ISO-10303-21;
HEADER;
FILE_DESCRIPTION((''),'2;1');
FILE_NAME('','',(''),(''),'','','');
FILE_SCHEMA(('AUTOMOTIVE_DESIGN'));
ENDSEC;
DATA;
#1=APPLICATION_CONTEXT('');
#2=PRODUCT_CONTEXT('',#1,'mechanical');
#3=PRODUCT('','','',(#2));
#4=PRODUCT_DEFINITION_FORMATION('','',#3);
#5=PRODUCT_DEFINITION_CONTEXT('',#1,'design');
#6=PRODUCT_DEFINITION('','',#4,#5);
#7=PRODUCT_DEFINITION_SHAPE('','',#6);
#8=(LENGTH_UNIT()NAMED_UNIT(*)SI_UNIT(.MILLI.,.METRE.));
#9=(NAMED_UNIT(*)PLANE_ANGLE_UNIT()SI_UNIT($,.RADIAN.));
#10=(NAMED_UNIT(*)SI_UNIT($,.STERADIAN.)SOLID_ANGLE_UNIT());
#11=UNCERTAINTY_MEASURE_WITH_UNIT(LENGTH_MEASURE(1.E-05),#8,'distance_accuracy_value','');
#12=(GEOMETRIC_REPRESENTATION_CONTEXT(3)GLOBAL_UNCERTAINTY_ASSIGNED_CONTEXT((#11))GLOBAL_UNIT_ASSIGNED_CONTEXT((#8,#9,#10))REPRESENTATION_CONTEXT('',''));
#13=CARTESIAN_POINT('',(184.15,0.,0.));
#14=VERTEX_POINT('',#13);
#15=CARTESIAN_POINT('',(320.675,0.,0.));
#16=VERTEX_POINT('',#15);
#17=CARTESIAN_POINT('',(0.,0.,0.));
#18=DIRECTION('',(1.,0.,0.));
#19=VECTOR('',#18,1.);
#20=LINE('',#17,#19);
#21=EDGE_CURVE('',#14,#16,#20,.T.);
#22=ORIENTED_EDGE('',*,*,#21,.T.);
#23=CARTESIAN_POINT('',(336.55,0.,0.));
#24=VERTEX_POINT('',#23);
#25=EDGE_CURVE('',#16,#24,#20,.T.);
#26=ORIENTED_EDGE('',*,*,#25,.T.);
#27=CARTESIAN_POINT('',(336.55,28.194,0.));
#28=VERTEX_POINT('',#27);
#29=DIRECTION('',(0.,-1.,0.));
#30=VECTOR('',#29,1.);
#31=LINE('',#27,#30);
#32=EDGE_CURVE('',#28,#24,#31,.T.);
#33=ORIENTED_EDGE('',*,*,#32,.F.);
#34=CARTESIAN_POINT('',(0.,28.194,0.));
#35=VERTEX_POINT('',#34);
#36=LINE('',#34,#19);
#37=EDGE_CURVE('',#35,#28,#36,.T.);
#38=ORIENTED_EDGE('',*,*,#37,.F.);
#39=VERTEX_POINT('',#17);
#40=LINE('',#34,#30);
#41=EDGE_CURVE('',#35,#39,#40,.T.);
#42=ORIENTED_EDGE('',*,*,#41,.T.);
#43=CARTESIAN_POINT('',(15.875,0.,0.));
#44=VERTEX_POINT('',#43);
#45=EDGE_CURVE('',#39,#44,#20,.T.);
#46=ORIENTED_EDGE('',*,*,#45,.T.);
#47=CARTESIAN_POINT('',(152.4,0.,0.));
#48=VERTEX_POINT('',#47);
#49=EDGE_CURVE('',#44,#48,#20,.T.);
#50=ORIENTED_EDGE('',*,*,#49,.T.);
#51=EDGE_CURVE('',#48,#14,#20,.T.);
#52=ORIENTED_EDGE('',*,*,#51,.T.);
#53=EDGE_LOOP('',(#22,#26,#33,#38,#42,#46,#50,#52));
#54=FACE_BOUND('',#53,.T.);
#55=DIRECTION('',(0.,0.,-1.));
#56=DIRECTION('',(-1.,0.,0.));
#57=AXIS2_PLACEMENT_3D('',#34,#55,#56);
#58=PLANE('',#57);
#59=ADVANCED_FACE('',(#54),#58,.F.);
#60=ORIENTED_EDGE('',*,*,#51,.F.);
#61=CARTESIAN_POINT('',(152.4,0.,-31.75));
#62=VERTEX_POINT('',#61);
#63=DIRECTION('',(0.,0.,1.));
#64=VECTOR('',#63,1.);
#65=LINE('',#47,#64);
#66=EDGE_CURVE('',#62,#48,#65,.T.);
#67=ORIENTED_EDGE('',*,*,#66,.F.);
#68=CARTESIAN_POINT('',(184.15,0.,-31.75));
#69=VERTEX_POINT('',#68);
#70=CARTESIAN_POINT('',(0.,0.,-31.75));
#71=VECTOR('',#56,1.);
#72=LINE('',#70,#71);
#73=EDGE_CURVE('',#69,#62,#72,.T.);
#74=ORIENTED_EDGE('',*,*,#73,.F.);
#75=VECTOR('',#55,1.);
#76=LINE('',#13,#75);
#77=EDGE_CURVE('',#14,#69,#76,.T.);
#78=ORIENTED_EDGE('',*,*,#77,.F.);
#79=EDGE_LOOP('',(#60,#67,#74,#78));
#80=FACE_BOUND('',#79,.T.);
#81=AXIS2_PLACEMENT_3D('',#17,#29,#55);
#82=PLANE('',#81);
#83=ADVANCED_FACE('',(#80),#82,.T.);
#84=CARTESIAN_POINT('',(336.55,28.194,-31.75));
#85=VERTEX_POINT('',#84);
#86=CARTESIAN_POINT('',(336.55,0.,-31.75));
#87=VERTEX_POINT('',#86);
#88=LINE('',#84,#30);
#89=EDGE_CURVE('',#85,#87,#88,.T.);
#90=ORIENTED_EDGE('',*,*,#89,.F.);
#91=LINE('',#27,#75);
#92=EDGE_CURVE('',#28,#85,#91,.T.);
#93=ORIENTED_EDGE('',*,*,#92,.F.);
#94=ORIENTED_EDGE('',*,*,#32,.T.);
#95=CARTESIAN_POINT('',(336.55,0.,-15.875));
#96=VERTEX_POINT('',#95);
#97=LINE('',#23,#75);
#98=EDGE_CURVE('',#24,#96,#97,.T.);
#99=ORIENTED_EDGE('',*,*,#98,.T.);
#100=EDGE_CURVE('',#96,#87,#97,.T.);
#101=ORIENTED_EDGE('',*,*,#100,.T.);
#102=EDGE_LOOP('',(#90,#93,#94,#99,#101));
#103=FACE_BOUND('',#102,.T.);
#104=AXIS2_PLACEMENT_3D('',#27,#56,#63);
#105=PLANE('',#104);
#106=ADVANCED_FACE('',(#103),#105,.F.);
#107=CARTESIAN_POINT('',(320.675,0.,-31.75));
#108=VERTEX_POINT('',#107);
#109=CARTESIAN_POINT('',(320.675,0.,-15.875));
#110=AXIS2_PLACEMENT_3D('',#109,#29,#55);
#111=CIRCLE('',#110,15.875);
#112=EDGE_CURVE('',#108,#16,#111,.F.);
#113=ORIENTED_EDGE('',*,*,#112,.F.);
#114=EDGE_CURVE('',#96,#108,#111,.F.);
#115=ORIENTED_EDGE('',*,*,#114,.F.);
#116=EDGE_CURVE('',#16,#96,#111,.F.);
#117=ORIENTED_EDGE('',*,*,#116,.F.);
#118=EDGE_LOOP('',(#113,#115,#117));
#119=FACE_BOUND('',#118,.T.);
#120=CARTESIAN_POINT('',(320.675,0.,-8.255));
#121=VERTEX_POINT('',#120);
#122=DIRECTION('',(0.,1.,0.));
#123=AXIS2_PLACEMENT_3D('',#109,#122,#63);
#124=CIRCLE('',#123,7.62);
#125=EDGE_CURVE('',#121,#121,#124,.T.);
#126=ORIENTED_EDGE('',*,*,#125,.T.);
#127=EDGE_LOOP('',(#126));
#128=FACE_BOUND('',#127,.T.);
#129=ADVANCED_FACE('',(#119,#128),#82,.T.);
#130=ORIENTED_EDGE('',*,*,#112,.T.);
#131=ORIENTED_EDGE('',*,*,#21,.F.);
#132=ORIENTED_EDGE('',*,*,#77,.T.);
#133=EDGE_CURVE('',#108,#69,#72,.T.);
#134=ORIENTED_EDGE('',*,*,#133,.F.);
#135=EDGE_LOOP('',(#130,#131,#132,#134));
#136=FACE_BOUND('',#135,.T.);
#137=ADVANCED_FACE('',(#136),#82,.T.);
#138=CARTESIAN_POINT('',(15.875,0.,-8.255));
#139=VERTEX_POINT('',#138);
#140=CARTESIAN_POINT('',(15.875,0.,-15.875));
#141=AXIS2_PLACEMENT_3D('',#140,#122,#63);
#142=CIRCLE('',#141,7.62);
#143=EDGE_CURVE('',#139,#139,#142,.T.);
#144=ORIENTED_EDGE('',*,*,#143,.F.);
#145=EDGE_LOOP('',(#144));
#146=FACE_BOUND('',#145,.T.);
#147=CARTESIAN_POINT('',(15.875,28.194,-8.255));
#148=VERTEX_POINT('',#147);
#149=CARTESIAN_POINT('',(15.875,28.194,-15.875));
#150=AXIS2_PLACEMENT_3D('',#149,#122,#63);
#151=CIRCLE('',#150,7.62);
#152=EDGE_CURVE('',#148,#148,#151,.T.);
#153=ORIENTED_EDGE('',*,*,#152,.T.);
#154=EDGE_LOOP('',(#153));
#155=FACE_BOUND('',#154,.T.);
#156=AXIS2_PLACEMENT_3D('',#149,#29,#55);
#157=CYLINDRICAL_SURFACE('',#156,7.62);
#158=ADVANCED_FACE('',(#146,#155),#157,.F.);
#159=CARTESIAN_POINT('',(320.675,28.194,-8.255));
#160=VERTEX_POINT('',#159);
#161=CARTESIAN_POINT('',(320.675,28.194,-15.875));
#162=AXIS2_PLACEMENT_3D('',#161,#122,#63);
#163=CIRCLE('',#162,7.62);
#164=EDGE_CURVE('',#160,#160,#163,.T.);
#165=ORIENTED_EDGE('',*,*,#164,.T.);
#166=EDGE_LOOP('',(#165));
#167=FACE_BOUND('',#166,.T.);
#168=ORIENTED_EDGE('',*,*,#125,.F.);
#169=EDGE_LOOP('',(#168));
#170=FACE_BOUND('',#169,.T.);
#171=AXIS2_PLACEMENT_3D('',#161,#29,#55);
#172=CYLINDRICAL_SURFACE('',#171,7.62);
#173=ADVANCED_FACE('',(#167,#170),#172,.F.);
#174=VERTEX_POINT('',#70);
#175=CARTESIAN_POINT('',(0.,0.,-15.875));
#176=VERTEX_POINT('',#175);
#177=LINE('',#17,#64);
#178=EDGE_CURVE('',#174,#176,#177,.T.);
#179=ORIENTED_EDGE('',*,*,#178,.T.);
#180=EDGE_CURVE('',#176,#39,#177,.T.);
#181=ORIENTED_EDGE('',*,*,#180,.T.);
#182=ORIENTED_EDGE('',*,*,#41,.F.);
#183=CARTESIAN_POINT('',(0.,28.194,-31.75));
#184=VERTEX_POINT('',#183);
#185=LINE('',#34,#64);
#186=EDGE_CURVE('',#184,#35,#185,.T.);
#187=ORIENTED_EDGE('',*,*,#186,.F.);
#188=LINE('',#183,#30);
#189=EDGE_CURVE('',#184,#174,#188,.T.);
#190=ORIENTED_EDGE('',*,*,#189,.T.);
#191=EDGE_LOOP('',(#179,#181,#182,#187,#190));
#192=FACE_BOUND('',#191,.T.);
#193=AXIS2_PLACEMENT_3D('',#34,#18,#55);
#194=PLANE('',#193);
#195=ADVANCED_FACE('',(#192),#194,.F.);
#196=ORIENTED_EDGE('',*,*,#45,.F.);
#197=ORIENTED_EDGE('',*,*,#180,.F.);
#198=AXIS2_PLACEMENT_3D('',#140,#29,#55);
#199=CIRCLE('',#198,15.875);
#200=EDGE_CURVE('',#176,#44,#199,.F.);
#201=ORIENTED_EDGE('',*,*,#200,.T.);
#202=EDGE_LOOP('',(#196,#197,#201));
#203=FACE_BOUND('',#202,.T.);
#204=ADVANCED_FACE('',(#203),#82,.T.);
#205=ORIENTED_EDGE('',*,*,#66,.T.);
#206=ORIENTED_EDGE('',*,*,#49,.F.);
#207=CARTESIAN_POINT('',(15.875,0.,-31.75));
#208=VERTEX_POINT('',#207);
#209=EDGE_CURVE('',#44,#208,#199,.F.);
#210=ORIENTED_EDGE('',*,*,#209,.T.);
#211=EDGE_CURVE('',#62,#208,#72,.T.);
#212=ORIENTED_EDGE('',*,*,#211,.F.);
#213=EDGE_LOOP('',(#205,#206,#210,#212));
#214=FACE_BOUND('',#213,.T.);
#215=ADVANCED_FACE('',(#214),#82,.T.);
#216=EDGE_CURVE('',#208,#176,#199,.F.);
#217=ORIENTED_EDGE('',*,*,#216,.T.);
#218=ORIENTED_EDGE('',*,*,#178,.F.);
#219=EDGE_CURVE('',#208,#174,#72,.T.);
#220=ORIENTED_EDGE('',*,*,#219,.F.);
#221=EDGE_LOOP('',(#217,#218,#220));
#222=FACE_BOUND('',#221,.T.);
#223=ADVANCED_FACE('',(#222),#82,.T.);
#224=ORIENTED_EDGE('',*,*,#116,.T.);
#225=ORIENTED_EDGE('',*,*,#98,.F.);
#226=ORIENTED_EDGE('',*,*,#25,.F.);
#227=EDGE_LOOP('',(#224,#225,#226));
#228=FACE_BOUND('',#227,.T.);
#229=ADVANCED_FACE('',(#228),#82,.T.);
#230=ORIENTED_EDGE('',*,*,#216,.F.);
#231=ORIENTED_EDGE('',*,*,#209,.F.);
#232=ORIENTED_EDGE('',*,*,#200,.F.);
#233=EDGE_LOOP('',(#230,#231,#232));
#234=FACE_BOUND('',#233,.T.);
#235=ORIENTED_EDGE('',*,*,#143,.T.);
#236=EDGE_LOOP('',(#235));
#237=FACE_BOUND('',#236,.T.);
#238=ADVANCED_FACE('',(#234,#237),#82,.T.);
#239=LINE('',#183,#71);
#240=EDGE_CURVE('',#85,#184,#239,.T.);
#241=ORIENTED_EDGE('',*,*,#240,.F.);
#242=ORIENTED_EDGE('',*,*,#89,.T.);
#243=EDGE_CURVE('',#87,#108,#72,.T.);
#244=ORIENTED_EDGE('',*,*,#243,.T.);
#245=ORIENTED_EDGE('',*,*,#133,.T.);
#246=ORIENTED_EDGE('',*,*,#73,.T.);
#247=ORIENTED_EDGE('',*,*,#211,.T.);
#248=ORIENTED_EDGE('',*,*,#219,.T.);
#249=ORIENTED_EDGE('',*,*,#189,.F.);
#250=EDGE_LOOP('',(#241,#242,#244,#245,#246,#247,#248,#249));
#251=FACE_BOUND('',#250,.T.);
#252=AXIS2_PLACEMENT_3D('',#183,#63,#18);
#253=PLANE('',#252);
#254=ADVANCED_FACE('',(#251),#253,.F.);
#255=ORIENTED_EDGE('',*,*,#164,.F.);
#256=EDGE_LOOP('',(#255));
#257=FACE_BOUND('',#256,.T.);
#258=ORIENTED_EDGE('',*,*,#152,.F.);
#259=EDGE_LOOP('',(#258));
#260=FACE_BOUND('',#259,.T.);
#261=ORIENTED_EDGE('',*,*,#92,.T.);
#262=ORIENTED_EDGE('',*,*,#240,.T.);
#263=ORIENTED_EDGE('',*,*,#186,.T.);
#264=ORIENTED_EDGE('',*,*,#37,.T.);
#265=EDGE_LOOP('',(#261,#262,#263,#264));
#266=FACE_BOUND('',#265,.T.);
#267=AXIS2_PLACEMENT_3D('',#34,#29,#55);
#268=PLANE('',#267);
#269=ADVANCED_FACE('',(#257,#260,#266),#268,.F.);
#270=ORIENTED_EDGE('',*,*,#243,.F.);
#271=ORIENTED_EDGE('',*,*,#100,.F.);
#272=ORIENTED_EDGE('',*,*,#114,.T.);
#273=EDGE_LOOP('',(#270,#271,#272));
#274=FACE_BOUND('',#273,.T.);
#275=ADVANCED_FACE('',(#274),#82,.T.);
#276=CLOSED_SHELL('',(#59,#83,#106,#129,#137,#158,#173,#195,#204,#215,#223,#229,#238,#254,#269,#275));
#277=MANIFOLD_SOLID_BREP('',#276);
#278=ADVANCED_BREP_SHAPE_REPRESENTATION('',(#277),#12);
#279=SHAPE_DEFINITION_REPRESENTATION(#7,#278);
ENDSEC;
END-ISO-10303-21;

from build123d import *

# Parameters (mm, degrees)
SKETCH1_W           = 336.55
SKETCH1_H           = 31.75
SKETCH1_R           = 7.62
BOSS_EXTRUDE1_DEPTH = 28.194


with BuildPart() as part:
    # Sketch1 → Boss-Extrude1 (new body)
    with BuildSketch(Plane(origin=(0, 0, 0), x_dir=(1, 0, 0), z_dir=(0, 1, 0))):
        with Locations((168.275, 15.875)):
            Rectangle(SKETCH1_W, SKETCH1_H)
        with Locations(Location((15.875, 15.875, 0), (0, 0, 270))):
            Circle(SKETCH1_R, mode=Mode.SUBTRACT)
        with Locations(Location((320.675, 15.875, 0), (0, 0, 270))):
            Circle(SKETCH1_R, mode=Mode.SUBTRACT)
    extrude(amount=BOSS_EXTRUDE1_DEPTH)


solid = part.part
